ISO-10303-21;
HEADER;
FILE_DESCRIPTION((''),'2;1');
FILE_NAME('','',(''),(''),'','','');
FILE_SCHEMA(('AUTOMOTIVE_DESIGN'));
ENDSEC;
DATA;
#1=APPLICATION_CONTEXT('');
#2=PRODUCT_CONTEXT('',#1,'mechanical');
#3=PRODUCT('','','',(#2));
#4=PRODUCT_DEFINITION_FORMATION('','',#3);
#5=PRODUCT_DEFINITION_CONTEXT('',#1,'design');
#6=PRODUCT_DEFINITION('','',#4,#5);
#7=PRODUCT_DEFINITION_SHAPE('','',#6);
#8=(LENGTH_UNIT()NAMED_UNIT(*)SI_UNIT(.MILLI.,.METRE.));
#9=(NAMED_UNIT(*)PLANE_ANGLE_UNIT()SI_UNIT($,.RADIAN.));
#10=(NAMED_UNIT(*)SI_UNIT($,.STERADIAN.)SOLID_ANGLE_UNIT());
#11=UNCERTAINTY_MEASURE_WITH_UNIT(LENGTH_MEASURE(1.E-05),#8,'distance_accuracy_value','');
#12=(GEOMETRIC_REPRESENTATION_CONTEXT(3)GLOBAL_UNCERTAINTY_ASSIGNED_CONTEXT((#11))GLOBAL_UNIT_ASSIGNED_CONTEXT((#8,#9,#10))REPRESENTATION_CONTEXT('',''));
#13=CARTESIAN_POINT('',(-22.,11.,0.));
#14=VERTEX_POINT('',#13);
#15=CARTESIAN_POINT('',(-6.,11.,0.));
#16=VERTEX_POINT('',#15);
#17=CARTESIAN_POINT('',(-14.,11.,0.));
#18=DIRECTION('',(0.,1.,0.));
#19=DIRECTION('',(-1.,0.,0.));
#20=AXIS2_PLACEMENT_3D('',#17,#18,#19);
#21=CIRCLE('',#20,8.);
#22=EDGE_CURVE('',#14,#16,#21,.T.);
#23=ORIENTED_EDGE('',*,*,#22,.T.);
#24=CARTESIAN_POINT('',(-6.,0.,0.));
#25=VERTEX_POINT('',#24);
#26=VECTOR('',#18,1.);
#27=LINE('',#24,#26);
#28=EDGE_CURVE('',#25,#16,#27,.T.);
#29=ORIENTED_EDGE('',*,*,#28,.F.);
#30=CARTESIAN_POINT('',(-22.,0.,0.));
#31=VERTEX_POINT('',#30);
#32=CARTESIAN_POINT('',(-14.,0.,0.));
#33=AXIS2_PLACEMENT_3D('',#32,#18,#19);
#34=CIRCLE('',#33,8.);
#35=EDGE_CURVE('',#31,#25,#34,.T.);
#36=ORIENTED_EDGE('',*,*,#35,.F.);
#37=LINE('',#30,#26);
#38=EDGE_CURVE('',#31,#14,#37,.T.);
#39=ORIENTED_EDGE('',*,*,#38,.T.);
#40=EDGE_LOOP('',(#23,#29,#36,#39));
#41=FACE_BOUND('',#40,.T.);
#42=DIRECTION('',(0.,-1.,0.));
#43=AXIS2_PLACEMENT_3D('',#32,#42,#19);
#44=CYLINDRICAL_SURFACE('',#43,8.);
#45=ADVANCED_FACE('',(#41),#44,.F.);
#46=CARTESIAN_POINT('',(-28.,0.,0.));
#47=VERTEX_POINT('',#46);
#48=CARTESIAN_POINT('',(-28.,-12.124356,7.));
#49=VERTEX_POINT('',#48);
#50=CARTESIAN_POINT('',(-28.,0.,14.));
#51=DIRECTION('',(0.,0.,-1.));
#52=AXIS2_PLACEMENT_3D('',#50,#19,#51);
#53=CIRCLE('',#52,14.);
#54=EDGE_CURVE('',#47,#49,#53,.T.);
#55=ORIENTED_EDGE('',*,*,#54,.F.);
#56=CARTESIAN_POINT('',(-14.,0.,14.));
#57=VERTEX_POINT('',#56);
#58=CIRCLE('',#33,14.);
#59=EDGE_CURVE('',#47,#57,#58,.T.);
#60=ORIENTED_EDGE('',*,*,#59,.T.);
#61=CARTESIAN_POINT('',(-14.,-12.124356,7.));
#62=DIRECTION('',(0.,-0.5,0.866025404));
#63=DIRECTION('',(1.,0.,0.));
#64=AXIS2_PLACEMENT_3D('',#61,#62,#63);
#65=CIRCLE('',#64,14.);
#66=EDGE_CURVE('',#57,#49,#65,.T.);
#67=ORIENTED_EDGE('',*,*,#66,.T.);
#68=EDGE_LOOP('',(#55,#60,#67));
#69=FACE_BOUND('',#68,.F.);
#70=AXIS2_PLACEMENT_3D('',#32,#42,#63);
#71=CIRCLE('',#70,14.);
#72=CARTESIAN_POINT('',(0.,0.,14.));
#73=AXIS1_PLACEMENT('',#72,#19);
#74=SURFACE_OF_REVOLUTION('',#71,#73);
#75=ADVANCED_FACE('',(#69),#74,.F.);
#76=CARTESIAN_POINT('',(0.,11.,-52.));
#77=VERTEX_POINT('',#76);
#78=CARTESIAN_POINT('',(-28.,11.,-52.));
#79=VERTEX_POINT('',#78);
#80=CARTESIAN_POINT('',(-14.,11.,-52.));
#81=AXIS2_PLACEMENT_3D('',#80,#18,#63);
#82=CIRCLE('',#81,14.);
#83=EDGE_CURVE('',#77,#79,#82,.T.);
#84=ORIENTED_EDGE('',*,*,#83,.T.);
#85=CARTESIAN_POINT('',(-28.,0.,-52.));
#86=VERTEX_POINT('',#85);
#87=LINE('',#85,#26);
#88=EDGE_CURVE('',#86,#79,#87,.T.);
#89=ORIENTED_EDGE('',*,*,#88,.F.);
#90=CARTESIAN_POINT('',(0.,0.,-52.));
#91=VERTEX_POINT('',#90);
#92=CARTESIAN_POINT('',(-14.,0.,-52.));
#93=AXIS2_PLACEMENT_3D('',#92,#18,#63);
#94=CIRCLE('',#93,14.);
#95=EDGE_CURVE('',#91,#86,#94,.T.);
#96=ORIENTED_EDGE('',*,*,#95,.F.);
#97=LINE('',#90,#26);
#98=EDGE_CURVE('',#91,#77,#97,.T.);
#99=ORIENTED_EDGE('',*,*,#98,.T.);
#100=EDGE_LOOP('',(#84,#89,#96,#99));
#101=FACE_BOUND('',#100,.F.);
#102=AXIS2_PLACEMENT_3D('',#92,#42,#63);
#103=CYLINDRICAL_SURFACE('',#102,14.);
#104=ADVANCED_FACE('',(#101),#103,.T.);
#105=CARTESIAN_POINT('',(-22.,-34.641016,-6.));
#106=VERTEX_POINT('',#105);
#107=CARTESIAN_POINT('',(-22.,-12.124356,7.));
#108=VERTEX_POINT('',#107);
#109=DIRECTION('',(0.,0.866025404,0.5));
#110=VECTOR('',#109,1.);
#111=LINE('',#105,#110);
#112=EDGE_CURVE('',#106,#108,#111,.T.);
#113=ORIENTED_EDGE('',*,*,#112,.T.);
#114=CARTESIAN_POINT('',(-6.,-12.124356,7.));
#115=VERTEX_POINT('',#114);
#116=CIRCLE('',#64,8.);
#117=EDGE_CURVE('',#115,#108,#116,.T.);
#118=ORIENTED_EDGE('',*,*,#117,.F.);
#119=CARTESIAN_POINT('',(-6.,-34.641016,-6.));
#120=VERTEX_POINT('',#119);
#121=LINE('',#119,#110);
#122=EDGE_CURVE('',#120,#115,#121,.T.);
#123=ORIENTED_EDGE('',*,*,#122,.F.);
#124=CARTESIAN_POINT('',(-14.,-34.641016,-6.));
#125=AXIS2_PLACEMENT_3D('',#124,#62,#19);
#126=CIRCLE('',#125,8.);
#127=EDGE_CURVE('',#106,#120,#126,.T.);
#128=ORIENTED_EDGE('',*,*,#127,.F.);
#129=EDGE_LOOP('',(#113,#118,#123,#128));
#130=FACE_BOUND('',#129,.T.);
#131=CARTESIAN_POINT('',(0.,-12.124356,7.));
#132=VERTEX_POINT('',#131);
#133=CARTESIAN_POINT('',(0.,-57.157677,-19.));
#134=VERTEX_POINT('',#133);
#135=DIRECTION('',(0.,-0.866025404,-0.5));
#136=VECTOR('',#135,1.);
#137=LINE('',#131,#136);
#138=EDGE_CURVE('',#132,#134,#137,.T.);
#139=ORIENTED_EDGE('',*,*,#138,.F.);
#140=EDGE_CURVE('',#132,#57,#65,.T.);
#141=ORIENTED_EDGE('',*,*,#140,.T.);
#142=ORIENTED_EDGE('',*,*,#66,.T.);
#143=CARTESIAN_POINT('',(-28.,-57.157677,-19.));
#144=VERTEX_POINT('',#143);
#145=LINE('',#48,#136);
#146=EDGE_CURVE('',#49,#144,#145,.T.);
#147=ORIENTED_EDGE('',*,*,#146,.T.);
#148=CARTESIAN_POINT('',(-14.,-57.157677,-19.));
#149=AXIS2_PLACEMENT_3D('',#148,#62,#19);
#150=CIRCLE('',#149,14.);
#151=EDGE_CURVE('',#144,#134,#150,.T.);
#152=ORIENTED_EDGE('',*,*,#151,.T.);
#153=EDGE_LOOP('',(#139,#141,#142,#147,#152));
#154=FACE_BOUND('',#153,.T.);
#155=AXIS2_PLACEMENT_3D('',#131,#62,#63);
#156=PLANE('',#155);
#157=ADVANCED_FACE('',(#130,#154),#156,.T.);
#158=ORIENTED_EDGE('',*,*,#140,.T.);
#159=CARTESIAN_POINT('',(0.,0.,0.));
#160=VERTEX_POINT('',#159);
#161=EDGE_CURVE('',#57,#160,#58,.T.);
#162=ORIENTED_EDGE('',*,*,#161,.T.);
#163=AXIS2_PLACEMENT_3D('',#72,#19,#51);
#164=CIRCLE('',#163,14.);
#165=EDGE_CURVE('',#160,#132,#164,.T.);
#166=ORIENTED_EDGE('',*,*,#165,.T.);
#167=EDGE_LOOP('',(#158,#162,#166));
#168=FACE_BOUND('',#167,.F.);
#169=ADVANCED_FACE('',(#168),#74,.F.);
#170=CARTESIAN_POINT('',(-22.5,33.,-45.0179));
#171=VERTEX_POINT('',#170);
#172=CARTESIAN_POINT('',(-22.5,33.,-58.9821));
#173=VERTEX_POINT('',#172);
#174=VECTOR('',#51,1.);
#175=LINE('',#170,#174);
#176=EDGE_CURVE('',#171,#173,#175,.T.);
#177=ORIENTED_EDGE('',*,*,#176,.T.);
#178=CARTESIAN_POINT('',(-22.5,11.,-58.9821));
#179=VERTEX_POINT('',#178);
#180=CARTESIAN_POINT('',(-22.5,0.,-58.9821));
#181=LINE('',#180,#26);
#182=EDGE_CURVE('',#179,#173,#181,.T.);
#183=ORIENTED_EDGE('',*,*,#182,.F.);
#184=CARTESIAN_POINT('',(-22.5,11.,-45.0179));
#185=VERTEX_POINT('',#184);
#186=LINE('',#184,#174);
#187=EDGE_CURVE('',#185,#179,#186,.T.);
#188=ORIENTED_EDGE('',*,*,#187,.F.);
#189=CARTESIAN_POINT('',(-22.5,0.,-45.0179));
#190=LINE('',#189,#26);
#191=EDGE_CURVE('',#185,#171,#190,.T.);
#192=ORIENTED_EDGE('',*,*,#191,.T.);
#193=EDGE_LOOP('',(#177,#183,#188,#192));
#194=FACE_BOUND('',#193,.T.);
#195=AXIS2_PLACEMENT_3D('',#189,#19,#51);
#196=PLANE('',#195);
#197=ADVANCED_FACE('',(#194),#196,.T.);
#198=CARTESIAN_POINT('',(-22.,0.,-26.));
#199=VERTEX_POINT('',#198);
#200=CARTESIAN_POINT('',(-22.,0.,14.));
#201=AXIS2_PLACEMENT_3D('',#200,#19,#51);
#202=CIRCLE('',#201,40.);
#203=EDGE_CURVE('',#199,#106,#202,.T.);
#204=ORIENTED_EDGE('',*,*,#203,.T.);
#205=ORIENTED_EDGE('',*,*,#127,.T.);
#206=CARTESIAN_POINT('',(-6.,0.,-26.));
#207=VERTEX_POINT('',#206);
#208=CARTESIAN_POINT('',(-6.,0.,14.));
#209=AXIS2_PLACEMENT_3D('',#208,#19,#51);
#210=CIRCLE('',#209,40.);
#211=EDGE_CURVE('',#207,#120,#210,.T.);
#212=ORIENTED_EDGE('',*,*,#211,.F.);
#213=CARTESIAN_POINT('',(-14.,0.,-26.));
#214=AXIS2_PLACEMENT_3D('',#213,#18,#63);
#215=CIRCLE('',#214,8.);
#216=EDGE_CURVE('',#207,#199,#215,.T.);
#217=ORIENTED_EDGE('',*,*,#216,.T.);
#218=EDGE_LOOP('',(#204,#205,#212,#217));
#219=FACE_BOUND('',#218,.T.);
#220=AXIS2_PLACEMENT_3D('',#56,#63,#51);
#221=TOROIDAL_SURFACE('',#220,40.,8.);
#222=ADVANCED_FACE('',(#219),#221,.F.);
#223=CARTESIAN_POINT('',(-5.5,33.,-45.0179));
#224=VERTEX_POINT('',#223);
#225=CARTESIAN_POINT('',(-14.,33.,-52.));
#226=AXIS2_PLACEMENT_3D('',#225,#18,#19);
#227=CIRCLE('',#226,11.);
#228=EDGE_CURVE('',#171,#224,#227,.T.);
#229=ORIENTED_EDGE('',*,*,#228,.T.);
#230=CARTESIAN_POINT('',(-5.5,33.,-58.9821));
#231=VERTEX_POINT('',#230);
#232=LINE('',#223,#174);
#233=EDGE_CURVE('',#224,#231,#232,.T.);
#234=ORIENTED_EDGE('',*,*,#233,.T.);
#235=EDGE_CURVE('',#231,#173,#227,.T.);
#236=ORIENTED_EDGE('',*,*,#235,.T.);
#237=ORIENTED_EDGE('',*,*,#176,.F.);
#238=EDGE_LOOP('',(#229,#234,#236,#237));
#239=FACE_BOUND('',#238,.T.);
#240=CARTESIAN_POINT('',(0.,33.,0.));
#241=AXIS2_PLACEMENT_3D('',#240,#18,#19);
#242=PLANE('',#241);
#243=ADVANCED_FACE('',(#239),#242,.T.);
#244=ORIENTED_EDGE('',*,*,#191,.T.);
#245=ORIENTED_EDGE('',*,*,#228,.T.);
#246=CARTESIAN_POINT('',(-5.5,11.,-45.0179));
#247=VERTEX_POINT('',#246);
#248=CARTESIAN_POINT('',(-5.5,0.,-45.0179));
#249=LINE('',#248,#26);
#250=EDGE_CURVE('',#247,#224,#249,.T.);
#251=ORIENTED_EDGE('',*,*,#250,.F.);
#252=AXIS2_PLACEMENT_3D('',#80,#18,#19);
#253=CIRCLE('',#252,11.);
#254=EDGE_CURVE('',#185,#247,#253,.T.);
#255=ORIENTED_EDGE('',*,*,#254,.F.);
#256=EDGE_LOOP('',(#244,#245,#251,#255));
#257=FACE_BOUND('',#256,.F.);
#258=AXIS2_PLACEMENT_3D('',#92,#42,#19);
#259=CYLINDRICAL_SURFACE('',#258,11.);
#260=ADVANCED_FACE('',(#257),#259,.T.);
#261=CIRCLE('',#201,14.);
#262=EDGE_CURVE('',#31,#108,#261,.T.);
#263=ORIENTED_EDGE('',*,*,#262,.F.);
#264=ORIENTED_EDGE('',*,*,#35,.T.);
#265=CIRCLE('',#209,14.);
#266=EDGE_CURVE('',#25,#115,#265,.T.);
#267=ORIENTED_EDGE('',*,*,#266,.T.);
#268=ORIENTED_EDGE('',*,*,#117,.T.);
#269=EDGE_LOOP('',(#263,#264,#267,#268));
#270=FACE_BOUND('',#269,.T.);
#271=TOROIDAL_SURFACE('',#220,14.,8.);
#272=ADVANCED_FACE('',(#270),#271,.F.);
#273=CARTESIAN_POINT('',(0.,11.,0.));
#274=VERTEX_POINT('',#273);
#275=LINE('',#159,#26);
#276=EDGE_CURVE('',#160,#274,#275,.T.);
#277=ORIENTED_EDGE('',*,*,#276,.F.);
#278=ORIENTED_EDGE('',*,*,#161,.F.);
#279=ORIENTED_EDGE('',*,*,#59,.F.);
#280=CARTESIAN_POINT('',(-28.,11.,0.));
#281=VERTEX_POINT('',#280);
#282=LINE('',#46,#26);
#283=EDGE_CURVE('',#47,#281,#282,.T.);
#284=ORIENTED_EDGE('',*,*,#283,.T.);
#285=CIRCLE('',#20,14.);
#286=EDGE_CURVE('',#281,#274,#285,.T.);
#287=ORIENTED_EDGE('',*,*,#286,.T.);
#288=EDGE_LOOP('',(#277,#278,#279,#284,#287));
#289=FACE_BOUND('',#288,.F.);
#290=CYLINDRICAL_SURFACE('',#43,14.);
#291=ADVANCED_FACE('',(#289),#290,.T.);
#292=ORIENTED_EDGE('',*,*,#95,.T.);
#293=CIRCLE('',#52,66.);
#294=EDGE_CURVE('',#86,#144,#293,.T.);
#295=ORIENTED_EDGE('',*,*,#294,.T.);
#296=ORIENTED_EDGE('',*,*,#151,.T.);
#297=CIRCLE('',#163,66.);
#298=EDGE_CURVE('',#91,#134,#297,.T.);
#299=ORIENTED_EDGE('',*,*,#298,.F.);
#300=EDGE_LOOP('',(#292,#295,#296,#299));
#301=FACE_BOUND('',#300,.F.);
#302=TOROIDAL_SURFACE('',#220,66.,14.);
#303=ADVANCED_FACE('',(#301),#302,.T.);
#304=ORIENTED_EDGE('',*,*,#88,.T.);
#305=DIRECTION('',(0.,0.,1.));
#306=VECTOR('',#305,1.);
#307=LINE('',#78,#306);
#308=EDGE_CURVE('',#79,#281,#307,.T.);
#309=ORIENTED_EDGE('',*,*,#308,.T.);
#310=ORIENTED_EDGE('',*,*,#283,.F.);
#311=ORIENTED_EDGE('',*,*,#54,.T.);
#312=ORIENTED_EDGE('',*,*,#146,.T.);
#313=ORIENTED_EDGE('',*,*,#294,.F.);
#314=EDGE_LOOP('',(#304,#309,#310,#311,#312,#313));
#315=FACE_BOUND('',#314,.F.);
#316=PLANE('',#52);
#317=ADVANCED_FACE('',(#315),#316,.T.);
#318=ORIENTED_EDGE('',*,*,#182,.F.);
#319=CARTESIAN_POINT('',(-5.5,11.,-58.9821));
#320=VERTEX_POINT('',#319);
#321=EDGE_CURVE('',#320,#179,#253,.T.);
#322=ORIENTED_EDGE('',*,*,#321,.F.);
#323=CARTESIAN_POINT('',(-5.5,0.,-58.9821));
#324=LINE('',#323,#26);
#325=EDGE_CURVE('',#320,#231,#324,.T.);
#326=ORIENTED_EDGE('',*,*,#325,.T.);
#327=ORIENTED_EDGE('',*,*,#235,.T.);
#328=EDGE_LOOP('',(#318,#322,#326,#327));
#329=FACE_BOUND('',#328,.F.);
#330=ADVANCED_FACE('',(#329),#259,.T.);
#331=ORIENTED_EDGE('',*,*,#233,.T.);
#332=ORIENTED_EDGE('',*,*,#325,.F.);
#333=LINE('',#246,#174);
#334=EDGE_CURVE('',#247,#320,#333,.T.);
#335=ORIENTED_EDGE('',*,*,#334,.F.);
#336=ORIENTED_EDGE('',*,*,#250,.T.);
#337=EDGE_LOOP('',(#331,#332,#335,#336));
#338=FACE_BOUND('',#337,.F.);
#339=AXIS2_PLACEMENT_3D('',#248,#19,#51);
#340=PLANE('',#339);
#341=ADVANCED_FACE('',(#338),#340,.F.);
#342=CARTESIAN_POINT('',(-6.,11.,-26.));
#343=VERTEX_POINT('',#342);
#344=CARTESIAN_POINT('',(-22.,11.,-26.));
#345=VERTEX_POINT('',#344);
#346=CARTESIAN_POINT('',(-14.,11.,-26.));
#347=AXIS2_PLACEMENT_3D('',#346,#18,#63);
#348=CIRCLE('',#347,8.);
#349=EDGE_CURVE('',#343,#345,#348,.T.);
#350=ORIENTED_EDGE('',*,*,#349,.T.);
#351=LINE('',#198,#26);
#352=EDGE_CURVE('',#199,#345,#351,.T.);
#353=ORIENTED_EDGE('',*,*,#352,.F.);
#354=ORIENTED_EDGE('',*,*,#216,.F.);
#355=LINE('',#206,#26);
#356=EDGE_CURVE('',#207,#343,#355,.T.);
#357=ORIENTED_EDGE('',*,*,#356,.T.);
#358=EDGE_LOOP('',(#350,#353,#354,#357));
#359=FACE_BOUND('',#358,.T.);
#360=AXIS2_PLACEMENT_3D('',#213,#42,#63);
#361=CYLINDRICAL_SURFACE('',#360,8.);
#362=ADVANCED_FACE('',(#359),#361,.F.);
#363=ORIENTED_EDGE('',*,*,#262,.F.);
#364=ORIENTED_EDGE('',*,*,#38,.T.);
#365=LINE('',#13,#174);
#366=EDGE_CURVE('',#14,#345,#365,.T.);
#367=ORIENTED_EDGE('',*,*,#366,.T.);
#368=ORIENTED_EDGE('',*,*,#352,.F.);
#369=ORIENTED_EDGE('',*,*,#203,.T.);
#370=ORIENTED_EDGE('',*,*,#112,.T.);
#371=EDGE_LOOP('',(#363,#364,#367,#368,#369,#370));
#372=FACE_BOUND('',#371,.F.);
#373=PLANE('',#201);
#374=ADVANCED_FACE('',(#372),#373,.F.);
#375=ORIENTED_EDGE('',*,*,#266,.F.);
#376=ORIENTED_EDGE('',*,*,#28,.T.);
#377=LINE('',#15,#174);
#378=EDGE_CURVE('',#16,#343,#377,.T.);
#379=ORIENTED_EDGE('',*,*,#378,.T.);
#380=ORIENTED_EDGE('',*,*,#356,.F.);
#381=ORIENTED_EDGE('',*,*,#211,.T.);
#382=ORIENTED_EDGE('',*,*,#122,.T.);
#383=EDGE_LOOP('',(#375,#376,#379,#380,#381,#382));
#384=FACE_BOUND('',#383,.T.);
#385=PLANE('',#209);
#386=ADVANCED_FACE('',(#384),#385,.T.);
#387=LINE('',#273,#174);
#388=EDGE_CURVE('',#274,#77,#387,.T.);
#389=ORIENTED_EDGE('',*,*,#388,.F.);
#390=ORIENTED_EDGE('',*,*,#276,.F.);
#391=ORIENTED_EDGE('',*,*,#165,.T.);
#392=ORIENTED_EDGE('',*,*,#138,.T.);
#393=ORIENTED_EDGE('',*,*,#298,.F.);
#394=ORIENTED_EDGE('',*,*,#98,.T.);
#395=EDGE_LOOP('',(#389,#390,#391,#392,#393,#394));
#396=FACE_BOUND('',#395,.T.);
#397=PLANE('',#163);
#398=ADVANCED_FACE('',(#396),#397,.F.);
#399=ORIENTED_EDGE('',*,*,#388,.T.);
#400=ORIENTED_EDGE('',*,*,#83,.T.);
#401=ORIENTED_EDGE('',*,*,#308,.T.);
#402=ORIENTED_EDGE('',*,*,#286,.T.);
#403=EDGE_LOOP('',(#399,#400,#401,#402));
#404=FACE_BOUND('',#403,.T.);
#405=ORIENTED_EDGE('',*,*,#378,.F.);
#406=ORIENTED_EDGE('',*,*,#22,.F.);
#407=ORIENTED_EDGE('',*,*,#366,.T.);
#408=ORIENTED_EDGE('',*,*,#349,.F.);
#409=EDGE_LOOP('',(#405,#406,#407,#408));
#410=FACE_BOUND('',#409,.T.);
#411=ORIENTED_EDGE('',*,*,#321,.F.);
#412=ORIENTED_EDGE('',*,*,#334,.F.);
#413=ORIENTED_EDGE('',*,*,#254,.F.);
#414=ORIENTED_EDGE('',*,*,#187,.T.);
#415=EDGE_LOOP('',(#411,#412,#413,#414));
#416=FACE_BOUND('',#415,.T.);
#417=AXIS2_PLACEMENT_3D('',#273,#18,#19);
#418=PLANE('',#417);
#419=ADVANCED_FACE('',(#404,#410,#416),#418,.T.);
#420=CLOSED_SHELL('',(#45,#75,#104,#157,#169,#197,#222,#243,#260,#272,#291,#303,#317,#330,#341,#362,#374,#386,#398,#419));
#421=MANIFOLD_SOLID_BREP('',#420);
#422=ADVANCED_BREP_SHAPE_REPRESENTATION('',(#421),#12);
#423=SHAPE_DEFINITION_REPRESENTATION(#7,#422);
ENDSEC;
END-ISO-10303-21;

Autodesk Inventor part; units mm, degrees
ref_plane "YZ Plane" through (0, 0, 0) normal (1, 0, 0) x (0, 1, 0)
ref_plane "XZ Plane" through (0, 0, 0) normal (0, 1, 0) x (-1, 0, 0)
ref_plane "XY Plane" through (0, 0, 0) normal (0, 0, 1) x (1, 0, 0)
sketch "Schizzo1" plane through (0, 0, 0) normal (0, 1, 0) x (-1, 0, 0)
  line L0 (0, 0) -> (0, -52)
  arc A0 (0, -52) -> (28, -52) centre (14, -52) ccw
  line L1 (28, -52) -> (28, 0)
  arc A1 (28, 0) -> (0, 0) centre (14, 0) ccw
  line L2 (22, 0) -> (22, -26)
  arc A2 (22, 0) -> (6, 0) centre (14, 0) ccw
  line L3 (6, 0) -> (6, -26)
  arc A3 (6, -26) -> (22, -26) centre (14, -26) ccw
  circle A4 centre (14, -52) radius 11
  line L4 (22.5, -45.0179) -> (22.5, -58.9821)
  line L5 (5.5, -45.0179) -> (5.5, -58.9821)
  dimension "d0" = 22
  dimension "d3" = 8.5
  dimension "d4" = 8.5
  dimension "d5" = 28
  dimension "d6" = 16
  dimension "d7" = 26
  dimension "d8" = 52
extrude "Estrusione1" add sketch "Schizzo1" along normal blind 33 contours L4 A4 L5
extrude "Estrusione2" add sketch "Schizzo1" along normal blind 11 contours A1 L1 A0 L0 | A4 L4 | L5 A4
sketch "Schizzo4" plane through (0, 0, 0) normal (0, -1, 0) x (1, 0, 0)
  arc A0 (0, 0) -> (-28, 0) centre (-14, 0) ccw projected
  line L0 (-28, 0) -> (-28, -51.655)
  arc A1 (-28, -52) -> (0, -52) centre (-14, -52) ccw projected
  line L1 (-28, -51.655) -> (-28, -52)
  arc A2 (-28, -52) -> (0, -52) centre (-14, -52) ccw
  line L2 (0, 0) -> (0, -52) projected
  line L3 (0, -52) -> (0, 0)
  arc A3 (0, 0) -> (-28, 0) centre (-14, 0) ccw
  line L4 (0, 14) -> (-28, 14)
  arc A4 (-22, -26) -> (-6, -26) centre (-14, -26) ccw projected
  line L5 (-22, -26) -> (-22, 0)
  arc A5 (-22, -26) -> (-6, -26) centre (-14, -26) ccw
  line L6 (-6, -26) -> (-6, 0) projected
  line L7 (-6, -26) -> (-6, 0)
  arc A6 (-6, 0) -> (-22, 0) centre (-14, 0) ccw
revolve "Rivoluzione1" add sketch "Schizzo4" angle 60 about axis through (0, 0, 14) along (-1, 0, 0)
properties part number "esercizio2 02-27-2023"
